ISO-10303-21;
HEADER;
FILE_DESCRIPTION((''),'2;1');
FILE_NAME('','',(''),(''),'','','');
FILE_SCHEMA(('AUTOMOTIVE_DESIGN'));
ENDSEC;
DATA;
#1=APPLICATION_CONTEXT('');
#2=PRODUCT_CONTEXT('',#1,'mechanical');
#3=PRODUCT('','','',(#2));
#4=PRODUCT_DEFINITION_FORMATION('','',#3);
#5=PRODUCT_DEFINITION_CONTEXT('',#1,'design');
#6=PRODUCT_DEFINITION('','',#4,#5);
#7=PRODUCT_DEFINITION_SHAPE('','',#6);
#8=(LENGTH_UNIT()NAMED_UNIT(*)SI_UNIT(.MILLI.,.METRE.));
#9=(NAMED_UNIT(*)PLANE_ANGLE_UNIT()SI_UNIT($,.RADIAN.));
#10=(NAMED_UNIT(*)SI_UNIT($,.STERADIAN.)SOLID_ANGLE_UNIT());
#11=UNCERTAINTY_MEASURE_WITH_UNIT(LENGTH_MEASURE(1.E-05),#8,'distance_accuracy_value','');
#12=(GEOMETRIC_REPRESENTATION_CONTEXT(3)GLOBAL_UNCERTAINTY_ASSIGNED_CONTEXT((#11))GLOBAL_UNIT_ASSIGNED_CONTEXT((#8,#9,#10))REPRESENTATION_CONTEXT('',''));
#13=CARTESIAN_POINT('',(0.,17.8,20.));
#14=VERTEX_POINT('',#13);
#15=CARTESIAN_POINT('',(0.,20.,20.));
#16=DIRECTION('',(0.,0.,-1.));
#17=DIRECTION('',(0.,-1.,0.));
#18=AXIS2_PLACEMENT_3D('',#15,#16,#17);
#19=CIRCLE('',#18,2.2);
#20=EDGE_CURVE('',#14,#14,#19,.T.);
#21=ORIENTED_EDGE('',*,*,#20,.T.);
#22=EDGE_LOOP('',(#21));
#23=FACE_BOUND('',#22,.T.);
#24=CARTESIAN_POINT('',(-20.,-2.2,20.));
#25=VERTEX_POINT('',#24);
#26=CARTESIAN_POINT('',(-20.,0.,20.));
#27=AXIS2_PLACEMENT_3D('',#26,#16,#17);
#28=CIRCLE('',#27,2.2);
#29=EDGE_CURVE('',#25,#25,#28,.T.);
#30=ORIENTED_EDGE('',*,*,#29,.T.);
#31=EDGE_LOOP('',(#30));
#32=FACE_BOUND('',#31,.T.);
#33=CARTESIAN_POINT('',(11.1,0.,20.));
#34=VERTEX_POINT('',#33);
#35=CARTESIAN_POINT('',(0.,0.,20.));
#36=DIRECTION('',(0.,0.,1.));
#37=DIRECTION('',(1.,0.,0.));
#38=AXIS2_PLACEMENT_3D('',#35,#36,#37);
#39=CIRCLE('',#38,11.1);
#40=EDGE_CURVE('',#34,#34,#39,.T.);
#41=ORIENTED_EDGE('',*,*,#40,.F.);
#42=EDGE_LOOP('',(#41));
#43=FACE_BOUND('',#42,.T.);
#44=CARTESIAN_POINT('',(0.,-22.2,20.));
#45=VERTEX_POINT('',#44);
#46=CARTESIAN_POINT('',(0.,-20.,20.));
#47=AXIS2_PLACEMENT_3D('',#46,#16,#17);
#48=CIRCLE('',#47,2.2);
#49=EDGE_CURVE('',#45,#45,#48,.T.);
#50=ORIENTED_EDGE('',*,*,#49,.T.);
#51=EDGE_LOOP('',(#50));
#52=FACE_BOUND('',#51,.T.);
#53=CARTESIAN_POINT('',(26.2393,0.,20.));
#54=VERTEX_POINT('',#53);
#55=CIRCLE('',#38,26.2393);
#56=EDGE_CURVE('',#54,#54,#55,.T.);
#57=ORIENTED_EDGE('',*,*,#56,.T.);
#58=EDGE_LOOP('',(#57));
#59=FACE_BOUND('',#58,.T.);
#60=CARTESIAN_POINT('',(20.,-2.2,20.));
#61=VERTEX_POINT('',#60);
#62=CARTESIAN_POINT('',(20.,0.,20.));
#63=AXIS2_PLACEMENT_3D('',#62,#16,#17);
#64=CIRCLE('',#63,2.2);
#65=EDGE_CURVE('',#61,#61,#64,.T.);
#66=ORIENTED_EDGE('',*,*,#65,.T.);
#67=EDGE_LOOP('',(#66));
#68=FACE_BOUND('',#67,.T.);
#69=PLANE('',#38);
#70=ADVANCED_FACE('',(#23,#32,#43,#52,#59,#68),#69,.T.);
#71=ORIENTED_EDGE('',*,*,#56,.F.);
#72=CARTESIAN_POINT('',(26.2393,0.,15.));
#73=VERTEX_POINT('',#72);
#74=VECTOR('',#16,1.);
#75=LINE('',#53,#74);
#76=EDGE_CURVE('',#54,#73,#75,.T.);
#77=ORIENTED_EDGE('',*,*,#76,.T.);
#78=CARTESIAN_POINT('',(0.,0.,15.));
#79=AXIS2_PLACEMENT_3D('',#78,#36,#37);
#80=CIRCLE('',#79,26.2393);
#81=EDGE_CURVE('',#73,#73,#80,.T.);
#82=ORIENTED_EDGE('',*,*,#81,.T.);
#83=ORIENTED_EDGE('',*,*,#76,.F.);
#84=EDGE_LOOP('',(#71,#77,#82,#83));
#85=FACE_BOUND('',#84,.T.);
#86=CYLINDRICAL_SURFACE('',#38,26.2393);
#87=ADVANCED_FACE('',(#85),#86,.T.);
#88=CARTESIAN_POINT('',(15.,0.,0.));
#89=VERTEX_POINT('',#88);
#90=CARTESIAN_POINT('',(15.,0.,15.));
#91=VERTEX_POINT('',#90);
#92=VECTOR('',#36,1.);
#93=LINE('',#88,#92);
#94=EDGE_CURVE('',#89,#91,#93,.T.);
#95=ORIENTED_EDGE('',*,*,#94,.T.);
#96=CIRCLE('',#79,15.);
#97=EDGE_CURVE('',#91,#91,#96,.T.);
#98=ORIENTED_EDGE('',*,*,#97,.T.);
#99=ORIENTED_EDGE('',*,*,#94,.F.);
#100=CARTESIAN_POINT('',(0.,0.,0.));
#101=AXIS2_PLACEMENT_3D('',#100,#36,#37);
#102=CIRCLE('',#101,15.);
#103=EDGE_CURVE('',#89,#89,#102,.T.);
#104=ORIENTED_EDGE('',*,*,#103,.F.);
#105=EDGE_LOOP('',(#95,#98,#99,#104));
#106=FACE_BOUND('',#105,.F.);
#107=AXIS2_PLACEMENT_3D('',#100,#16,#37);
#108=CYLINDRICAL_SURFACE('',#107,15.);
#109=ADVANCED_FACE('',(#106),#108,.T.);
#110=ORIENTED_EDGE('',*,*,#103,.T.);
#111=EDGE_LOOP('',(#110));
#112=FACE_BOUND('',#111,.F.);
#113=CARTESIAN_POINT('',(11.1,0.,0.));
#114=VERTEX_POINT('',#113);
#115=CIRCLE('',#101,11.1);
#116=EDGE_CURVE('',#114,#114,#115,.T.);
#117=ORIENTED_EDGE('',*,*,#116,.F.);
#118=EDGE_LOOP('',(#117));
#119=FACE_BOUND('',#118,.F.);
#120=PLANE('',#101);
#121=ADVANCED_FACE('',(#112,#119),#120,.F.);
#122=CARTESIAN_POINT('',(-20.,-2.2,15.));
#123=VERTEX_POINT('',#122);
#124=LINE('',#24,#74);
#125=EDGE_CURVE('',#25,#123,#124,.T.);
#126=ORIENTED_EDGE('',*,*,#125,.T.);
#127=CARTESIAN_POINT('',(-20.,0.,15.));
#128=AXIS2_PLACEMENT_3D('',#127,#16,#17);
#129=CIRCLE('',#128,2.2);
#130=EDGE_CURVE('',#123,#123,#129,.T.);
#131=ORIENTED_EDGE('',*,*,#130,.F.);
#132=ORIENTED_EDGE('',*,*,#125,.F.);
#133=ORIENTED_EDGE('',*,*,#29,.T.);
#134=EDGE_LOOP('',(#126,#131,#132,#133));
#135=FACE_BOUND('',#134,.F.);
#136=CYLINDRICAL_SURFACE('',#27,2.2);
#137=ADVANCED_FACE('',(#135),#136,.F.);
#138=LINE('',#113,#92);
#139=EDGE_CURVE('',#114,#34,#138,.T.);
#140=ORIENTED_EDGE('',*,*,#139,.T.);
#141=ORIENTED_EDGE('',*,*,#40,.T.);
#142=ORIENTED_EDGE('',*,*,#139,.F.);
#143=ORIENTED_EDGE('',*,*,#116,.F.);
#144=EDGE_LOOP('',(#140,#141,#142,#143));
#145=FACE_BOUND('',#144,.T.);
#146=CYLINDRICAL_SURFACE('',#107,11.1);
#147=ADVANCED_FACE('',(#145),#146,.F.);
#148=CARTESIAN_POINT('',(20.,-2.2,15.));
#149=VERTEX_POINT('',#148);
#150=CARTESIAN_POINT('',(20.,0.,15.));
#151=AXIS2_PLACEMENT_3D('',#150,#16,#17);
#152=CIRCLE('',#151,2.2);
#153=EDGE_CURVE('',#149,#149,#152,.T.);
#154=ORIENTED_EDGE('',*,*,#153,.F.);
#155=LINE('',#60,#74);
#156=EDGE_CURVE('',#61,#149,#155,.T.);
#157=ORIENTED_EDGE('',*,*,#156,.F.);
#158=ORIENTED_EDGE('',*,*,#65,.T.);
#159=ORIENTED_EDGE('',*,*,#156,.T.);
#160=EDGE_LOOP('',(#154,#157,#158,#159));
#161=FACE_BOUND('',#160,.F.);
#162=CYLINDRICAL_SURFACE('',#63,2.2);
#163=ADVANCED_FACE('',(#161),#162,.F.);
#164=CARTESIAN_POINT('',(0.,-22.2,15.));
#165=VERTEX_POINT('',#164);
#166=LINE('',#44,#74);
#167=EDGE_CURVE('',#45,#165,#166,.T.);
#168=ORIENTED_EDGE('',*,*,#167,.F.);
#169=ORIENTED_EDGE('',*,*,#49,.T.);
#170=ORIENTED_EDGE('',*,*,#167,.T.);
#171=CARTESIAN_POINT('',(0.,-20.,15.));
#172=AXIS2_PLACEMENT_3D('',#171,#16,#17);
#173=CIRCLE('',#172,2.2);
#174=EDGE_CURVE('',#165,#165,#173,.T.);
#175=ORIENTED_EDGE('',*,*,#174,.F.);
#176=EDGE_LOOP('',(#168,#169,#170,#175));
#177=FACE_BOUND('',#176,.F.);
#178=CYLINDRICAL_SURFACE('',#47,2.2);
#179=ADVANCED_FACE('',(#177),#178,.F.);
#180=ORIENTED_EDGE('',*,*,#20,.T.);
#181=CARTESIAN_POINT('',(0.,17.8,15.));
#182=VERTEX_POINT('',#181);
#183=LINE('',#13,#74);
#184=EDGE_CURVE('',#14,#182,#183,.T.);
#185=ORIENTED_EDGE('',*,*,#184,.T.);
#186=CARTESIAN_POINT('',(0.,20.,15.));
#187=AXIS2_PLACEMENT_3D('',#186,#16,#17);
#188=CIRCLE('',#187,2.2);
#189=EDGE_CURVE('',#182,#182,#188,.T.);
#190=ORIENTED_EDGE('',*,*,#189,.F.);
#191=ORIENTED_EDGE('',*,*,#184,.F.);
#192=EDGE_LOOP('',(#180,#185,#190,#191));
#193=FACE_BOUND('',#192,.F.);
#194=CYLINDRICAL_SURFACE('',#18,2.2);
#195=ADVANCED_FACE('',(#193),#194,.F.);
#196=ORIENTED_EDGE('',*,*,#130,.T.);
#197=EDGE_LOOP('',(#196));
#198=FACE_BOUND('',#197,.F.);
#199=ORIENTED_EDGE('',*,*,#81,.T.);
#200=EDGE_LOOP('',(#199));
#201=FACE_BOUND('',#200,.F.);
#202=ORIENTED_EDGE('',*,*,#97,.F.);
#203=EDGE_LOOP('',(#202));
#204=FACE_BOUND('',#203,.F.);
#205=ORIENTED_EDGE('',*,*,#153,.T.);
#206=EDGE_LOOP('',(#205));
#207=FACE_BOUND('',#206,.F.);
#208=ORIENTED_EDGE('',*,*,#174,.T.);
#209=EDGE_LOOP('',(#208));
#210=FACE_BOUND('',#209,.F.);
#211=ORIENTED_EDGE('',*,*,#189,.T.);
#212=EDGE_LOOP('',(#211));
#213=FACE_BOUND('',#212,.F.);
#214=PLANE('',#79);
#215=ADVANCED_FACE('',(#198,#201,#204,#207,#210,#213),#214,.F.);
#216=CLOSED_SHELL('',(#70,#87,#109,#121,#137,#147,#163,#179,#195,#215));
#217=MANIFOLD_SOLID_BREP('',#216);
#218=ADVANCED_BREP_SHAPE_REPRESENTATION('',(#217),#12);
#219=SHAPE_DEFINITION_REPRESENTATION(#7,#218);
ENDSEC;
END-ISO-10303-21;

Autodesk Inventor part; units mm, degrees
ref_plane "YZ Plane" through (0, 0, 0) normal (1, 0, 0) x (0, 1, 0)
ref_plane "XZ Plane" through (0, 0, 0) normal (0, 1, 0) x (-1, 0, 0)
ref_plane "XY Plane" through (0, 0, 0) normal (0, 0, 1) x (1, 0, 0)
sketch "Skizze1" plane through (0, 0, 0) normal (0, 0, 1) x (1, 0, 0)
  circle A0 centre (0, 0) radius 15
  circle A1 centre (0, 0) radius 11.1
  dimension "d0" = 30
  dimension "d1" = 22.2
extrude "Extrusion1" add sketch "Skizze1" along normal blind 20
sketch "Skizze2" plane through (0, 0, 20) normal (0, 0, 1) x (1, 0, 0)
  circle A0 centre (0, 0) radius 15 projected
  circle A1 centre (0, 0) radius 11.1 projected
  circle A2 centre (0, 0) radius 26.2393
  circle A3 centre (0, 0) radius 15
extrude "Extrusion2" add sketch "Skizze2" against normal blind 5 contours A2
sketch "Skizze3" plane through (0, 0, 20) normal (0, 0, 1) x (1, 0, 0)
  circle A0 centre (0, 0) radius 26.2393 projected
  line L0 (-36.7351, 0) -> (36.7351, 0) projected
  line L1 (0, -36.7351) -> (0, 36.7351) projected
  point P0 (0, 20)
  point P1 (-20, 0)
  point P2 (0, -20)
  point P3 (20, 0)
  dimension "d6" = 20
  dimension "d7" = 20
  dimension "d8" = 20
  dimension "d9" = 20
hole "Bohrung1" at (0, 20, 20) at (-20, 0, 20) at (0, -20, 20) at (20, 0, 20) direction (0, 0, -1) diameter 4.4 end through all
properties part number "Cameralager21.8"
